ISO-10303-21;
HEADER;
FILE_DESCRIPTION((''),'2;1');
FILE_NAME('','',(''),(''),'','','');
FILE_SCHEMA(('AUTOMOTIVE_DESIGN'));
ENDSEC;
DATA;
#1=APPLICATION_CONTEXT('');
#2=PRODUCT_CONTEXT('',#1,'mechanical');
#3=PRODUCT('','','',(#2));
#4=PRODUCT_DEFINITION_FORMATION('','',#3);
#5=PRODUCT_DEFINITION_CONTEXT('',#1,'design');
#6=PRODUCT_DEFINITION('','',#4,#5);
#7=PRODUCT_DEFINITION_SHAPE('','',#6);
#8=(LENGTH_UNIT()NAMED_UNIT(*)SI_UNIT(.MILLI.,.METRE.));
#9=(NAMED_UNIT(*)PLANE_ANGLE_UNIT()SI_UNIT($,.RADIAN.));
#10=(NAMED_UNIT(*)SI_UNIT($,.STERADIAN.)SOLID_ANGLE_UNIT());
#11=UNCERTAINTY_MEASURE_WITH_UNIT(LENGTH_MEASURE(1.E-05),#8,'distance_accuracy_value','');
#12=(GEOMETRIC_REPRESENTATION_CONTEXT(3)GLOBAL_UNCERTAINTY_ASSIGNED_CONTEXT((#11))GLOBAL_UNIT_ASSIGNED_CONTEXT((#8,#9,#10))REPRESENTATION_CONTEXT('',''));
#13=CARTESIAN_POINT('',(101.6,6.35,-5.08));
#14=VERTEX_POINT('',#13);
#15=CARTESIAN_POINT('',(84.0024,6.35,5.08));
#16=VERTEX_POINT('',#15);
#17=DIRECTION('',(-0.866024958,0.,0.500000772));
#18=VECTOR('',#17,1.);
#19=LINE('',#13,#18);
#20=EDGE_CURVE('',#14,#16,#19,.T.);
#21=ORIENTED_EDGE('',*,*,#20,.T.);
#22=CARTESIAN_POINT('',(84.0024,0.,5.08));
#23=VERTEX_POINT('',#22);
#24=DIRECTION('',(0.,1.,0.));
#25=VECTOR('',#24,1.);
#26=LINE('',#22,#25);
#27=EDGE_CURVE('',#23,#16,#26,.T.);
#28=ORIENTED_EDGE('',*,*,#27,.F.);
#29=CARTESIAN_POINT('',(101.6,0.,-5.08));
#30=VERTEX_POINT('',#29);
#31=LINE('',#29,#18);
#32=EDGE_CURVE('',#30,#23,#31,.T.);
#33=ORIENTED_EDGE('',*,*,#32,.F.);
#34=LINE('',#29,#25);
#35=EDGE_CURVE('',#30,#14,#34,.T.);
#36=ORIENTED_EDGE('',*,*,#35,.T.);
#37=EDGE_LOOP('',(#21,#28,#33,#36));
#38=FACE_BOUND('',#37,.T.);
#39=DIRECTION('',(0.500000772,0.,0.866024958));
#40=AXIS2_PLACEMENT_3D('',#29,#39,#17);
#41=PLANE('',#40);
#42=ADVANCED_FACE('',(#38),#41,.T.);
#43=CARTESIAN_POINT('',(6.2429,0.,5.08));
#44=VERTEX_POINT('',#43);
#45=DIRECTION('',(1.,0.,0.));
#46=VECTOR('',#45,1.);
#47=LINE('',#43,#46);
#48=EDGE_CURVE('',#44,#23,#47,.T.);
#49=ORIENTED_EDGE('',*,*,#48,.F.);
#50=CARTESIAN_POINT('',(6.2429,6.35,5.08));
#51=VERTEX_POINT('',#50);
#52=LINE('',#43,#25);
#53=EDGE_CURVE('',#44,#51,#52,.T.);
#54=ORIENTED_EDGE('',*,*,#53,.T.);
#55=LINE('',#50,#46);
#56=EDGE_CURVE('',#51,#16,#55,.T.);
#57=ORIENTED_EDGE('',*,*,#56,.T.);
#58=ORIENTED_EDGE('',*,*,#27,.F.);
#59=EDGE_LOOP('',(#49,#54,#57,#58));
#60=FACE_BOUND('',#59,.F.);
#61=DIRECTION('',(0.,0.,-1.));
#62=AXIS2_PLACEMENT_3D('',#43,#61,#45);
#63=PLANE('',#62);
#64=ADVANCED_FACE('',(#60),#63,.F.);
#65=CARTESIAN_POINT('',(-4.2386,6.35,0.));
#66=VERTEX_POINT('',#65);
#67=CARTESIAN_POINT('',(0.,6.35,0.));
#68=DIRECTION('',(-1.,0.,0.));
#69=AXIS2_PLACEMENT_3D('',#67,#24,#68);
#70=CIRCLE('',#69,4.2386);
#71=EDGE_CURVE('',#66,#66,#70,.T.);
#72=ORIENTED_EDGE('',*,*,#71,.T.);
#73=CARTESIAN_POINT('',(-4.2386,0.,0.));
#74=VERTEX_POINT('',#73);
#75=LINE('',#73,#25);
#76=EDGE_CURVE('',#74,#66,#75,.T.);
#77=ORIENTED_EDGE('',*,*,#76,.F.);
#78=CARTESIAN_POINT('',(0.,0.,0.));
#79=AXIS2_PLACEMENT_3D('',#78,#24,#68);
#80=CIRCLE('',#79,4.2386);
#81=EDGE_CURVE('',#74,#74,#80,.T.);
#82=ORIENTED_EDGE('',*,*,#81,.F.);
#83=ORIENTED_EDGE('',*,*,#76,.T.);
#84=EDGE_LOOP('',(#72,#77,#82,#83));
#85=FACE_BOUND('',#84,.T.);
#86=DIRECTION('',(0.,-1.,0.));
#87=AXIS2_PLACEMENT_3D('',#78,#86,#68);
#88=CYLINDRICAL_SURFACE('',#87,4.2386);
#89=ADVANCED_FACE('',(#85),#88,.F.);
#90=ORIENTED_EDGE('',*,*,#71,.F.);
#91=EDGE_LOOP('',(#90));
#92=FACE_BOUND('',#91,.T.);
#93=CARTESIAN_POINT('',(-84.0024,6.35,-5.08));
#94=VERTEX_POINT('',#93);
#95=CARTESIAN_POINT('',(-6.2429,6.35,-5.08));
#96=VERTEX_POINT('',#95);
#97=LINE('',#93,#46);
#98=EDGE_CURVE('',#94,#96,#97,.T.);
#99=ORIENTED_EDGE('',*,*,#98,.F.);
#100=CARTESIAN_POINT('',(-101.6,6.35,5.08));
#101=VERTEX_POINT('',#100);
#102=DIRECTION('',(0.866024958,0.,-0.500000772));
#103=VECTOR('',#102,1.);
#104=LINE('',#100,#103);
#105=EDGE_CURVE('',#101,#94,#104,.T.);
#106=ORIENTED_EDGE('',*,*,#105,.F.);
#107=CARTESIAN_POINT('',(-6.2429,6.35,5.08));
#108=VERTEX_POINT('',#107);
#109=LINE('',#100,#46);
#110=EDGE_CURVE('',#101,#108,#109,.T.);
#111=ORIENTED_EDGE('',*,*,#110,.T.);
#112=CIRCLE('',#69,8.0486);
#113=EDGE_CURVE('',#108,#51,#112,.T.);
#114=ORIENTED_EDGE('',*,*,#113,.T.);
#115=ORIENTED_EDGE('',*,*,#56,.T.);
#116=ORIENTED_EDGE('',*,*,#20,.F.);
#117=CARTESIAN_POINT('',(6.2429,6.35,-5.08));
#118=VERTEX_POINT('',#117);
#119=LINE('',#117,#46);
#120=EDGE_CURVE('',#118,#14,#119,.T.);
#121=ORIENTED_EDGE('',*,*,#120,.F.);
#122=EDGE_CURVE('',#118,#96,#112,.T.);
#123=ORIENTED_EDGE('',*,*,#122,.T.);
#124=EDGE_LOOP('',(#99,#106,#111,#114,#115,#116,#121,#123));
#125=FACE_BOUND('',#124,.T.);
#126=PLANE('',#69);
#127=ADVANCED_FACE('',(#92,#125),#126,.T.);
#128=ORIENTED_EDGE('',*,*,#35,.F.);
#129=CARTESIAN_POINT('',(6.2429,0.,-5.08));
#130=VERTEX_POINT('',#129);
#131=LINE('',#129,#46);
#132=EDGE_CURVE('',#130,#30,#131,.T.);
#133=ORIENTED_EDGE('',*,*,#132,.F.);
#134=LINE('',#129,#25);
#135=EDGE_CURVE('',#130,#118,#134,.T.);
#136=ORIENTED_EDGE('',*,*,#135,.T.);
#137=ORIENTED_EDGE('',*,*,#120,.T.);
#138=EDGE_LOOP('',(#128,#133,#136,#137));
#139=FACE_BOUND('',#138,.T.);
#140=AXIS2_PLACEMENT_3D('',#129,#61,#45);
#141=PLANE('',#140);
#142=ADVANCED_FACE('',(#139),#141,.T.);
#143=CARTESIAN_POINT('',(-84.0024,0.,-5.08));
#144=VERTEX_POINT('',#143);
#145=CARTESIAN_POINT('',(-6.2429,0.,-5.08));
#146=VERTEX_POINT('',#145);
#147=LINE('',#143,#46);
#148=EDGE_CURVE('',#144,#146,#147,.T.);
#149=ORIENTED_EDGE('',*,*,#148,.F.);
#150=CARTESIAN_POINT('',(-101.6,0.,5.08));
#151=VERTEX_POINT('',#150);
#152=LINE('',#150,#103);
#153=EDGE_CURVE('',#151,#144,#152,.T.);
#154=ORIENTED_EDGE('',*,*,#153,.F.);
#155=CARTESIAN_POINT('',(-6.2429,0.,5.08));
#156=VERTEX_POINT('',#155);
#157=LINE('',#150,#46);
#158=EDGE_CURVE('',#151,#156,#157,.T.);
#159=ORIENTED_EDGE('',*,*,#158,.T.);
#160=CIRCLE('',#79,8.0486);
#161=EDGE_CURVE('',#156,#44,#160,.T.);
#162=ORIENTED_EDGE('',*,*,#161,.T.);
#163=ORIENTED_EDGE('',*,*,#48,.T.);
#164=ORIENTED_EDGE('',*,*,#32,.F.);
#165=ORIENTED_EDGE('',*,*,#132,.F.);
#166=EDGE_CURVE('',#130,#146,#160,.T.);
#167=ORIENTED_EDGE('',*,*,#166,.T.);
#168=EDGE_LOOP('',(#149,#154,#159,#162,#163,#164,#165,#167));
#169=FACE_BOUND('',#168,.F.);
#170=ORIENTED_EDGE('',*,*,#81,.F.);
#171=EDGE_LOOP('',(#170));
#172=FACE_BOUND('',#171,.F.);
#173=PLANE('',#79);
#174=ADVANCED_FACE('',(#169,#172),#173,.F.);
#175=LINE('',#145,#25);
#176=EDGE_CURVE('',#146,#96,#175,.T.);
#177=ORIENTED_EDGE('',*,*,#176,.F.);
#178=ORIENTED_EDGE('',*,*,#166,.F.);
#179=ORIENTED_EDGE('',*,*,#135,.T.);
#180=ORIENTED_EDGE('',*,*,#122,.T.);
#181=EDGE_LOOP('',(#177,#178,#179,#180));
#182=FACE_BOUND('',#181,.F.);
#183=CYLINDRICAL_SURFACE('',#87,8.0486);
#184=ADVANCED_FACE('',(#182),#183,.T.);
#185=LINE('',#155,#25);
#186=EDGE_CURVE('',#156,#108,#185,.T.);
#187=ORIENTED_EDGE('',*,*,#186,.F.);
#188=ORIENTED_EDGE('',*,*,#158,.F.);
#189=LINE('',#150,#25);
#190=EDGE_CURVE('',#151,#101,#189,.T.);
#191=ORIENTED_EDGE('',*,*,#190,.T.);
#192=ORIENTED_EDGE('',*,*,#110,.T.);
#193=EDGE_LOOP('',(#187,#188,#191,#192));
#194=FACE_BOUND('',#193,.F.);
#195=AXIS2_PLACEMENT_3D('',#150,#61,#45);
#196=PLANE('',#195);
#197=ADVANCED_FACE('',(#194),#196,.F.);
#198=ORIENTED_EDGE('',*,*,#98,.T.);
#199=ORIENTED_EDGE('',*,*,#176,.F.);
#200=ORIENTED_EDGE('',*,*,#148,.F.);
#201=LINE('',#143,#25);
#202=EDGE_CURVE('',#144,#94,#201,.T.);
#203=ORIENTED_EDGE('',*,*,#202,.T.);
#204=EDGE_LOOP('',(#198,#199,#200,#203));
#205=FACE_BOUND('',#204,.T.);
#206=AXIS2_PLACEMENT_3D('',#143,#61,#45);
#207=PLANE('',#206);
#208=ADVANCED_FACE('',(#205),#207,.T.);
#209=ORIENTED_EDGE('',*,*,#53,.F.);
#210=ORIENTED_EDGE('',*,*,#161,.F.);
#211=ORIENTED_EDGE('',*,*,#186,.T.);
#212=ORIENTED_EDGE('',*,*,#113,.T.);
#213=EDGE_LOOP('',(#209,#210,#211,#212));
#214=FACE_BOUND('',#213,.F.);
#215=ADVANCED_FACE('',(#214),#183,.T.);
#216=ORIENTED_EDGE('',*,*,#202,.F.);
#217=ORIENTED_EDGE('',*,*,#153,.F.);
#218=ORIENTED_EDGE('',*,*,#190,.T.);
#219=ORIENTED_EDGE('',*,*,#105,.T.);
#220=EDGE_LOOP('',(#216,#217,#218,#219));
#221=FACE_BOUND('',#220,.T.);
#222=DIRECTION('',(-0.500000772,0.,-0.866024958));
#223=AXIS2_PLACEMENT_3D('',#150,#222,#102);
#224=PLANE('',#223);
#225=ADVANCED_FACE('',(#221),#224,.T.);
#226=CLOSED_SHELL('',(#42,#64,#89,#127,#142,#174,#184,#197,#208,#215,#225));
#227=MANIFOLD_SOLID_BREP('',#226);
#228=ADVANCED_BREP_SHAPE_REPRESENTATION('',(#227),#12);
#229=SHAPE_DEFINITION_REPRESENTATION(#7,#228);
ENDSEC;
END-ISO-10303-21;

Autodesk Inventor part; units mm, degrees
ref_plane "YZ Plane" through (0, 0, 0) normal (1, 0, 0) x (0, 1, 0)
ref_plane "XZ Plane" through (0, 0, 0) normal (0, 1, 0) x (-1, 0, 0)
ref_plane "XY Plane" through (0, 0, 0) normal (0, 0, 1) x (1, 0, 0)
sketch "Sketch1" plane through (0, 0, 0) normal (0, 1, 0) x (-1, 0, 0)
  circle A0 centre (0, 0) radius 4.2386
  circle A1 centre (0, 0) radius 8.0486
  line L0 (-101.6, -5.08) -> (-84.0024, 5.08)
  line L1 (-101.6, -5.08) -> (-81.28, -5.08) construction
  line L2 (101.6, 5.08) -> (84.0024, -5.08)
  line L3 (84.0024, -5.08) -> (6.2429, -5.08)
  line L4 (-6.2429, -5.08) -> (-101.6, -5.08)
  line L5 (101.6, 5.08) -> (6.2429, 5.08)
  line L6 (-6.2429, 5.08) -> (-84.0024, 5.08)
  dimension "d0" = 8.4772
  dimension "d2" = 3.81
  dimension "d8" = 30
extrude "Extrusion1" add sketch "Sketch1" along normal blind 6.35
properties part number "Propeller"
